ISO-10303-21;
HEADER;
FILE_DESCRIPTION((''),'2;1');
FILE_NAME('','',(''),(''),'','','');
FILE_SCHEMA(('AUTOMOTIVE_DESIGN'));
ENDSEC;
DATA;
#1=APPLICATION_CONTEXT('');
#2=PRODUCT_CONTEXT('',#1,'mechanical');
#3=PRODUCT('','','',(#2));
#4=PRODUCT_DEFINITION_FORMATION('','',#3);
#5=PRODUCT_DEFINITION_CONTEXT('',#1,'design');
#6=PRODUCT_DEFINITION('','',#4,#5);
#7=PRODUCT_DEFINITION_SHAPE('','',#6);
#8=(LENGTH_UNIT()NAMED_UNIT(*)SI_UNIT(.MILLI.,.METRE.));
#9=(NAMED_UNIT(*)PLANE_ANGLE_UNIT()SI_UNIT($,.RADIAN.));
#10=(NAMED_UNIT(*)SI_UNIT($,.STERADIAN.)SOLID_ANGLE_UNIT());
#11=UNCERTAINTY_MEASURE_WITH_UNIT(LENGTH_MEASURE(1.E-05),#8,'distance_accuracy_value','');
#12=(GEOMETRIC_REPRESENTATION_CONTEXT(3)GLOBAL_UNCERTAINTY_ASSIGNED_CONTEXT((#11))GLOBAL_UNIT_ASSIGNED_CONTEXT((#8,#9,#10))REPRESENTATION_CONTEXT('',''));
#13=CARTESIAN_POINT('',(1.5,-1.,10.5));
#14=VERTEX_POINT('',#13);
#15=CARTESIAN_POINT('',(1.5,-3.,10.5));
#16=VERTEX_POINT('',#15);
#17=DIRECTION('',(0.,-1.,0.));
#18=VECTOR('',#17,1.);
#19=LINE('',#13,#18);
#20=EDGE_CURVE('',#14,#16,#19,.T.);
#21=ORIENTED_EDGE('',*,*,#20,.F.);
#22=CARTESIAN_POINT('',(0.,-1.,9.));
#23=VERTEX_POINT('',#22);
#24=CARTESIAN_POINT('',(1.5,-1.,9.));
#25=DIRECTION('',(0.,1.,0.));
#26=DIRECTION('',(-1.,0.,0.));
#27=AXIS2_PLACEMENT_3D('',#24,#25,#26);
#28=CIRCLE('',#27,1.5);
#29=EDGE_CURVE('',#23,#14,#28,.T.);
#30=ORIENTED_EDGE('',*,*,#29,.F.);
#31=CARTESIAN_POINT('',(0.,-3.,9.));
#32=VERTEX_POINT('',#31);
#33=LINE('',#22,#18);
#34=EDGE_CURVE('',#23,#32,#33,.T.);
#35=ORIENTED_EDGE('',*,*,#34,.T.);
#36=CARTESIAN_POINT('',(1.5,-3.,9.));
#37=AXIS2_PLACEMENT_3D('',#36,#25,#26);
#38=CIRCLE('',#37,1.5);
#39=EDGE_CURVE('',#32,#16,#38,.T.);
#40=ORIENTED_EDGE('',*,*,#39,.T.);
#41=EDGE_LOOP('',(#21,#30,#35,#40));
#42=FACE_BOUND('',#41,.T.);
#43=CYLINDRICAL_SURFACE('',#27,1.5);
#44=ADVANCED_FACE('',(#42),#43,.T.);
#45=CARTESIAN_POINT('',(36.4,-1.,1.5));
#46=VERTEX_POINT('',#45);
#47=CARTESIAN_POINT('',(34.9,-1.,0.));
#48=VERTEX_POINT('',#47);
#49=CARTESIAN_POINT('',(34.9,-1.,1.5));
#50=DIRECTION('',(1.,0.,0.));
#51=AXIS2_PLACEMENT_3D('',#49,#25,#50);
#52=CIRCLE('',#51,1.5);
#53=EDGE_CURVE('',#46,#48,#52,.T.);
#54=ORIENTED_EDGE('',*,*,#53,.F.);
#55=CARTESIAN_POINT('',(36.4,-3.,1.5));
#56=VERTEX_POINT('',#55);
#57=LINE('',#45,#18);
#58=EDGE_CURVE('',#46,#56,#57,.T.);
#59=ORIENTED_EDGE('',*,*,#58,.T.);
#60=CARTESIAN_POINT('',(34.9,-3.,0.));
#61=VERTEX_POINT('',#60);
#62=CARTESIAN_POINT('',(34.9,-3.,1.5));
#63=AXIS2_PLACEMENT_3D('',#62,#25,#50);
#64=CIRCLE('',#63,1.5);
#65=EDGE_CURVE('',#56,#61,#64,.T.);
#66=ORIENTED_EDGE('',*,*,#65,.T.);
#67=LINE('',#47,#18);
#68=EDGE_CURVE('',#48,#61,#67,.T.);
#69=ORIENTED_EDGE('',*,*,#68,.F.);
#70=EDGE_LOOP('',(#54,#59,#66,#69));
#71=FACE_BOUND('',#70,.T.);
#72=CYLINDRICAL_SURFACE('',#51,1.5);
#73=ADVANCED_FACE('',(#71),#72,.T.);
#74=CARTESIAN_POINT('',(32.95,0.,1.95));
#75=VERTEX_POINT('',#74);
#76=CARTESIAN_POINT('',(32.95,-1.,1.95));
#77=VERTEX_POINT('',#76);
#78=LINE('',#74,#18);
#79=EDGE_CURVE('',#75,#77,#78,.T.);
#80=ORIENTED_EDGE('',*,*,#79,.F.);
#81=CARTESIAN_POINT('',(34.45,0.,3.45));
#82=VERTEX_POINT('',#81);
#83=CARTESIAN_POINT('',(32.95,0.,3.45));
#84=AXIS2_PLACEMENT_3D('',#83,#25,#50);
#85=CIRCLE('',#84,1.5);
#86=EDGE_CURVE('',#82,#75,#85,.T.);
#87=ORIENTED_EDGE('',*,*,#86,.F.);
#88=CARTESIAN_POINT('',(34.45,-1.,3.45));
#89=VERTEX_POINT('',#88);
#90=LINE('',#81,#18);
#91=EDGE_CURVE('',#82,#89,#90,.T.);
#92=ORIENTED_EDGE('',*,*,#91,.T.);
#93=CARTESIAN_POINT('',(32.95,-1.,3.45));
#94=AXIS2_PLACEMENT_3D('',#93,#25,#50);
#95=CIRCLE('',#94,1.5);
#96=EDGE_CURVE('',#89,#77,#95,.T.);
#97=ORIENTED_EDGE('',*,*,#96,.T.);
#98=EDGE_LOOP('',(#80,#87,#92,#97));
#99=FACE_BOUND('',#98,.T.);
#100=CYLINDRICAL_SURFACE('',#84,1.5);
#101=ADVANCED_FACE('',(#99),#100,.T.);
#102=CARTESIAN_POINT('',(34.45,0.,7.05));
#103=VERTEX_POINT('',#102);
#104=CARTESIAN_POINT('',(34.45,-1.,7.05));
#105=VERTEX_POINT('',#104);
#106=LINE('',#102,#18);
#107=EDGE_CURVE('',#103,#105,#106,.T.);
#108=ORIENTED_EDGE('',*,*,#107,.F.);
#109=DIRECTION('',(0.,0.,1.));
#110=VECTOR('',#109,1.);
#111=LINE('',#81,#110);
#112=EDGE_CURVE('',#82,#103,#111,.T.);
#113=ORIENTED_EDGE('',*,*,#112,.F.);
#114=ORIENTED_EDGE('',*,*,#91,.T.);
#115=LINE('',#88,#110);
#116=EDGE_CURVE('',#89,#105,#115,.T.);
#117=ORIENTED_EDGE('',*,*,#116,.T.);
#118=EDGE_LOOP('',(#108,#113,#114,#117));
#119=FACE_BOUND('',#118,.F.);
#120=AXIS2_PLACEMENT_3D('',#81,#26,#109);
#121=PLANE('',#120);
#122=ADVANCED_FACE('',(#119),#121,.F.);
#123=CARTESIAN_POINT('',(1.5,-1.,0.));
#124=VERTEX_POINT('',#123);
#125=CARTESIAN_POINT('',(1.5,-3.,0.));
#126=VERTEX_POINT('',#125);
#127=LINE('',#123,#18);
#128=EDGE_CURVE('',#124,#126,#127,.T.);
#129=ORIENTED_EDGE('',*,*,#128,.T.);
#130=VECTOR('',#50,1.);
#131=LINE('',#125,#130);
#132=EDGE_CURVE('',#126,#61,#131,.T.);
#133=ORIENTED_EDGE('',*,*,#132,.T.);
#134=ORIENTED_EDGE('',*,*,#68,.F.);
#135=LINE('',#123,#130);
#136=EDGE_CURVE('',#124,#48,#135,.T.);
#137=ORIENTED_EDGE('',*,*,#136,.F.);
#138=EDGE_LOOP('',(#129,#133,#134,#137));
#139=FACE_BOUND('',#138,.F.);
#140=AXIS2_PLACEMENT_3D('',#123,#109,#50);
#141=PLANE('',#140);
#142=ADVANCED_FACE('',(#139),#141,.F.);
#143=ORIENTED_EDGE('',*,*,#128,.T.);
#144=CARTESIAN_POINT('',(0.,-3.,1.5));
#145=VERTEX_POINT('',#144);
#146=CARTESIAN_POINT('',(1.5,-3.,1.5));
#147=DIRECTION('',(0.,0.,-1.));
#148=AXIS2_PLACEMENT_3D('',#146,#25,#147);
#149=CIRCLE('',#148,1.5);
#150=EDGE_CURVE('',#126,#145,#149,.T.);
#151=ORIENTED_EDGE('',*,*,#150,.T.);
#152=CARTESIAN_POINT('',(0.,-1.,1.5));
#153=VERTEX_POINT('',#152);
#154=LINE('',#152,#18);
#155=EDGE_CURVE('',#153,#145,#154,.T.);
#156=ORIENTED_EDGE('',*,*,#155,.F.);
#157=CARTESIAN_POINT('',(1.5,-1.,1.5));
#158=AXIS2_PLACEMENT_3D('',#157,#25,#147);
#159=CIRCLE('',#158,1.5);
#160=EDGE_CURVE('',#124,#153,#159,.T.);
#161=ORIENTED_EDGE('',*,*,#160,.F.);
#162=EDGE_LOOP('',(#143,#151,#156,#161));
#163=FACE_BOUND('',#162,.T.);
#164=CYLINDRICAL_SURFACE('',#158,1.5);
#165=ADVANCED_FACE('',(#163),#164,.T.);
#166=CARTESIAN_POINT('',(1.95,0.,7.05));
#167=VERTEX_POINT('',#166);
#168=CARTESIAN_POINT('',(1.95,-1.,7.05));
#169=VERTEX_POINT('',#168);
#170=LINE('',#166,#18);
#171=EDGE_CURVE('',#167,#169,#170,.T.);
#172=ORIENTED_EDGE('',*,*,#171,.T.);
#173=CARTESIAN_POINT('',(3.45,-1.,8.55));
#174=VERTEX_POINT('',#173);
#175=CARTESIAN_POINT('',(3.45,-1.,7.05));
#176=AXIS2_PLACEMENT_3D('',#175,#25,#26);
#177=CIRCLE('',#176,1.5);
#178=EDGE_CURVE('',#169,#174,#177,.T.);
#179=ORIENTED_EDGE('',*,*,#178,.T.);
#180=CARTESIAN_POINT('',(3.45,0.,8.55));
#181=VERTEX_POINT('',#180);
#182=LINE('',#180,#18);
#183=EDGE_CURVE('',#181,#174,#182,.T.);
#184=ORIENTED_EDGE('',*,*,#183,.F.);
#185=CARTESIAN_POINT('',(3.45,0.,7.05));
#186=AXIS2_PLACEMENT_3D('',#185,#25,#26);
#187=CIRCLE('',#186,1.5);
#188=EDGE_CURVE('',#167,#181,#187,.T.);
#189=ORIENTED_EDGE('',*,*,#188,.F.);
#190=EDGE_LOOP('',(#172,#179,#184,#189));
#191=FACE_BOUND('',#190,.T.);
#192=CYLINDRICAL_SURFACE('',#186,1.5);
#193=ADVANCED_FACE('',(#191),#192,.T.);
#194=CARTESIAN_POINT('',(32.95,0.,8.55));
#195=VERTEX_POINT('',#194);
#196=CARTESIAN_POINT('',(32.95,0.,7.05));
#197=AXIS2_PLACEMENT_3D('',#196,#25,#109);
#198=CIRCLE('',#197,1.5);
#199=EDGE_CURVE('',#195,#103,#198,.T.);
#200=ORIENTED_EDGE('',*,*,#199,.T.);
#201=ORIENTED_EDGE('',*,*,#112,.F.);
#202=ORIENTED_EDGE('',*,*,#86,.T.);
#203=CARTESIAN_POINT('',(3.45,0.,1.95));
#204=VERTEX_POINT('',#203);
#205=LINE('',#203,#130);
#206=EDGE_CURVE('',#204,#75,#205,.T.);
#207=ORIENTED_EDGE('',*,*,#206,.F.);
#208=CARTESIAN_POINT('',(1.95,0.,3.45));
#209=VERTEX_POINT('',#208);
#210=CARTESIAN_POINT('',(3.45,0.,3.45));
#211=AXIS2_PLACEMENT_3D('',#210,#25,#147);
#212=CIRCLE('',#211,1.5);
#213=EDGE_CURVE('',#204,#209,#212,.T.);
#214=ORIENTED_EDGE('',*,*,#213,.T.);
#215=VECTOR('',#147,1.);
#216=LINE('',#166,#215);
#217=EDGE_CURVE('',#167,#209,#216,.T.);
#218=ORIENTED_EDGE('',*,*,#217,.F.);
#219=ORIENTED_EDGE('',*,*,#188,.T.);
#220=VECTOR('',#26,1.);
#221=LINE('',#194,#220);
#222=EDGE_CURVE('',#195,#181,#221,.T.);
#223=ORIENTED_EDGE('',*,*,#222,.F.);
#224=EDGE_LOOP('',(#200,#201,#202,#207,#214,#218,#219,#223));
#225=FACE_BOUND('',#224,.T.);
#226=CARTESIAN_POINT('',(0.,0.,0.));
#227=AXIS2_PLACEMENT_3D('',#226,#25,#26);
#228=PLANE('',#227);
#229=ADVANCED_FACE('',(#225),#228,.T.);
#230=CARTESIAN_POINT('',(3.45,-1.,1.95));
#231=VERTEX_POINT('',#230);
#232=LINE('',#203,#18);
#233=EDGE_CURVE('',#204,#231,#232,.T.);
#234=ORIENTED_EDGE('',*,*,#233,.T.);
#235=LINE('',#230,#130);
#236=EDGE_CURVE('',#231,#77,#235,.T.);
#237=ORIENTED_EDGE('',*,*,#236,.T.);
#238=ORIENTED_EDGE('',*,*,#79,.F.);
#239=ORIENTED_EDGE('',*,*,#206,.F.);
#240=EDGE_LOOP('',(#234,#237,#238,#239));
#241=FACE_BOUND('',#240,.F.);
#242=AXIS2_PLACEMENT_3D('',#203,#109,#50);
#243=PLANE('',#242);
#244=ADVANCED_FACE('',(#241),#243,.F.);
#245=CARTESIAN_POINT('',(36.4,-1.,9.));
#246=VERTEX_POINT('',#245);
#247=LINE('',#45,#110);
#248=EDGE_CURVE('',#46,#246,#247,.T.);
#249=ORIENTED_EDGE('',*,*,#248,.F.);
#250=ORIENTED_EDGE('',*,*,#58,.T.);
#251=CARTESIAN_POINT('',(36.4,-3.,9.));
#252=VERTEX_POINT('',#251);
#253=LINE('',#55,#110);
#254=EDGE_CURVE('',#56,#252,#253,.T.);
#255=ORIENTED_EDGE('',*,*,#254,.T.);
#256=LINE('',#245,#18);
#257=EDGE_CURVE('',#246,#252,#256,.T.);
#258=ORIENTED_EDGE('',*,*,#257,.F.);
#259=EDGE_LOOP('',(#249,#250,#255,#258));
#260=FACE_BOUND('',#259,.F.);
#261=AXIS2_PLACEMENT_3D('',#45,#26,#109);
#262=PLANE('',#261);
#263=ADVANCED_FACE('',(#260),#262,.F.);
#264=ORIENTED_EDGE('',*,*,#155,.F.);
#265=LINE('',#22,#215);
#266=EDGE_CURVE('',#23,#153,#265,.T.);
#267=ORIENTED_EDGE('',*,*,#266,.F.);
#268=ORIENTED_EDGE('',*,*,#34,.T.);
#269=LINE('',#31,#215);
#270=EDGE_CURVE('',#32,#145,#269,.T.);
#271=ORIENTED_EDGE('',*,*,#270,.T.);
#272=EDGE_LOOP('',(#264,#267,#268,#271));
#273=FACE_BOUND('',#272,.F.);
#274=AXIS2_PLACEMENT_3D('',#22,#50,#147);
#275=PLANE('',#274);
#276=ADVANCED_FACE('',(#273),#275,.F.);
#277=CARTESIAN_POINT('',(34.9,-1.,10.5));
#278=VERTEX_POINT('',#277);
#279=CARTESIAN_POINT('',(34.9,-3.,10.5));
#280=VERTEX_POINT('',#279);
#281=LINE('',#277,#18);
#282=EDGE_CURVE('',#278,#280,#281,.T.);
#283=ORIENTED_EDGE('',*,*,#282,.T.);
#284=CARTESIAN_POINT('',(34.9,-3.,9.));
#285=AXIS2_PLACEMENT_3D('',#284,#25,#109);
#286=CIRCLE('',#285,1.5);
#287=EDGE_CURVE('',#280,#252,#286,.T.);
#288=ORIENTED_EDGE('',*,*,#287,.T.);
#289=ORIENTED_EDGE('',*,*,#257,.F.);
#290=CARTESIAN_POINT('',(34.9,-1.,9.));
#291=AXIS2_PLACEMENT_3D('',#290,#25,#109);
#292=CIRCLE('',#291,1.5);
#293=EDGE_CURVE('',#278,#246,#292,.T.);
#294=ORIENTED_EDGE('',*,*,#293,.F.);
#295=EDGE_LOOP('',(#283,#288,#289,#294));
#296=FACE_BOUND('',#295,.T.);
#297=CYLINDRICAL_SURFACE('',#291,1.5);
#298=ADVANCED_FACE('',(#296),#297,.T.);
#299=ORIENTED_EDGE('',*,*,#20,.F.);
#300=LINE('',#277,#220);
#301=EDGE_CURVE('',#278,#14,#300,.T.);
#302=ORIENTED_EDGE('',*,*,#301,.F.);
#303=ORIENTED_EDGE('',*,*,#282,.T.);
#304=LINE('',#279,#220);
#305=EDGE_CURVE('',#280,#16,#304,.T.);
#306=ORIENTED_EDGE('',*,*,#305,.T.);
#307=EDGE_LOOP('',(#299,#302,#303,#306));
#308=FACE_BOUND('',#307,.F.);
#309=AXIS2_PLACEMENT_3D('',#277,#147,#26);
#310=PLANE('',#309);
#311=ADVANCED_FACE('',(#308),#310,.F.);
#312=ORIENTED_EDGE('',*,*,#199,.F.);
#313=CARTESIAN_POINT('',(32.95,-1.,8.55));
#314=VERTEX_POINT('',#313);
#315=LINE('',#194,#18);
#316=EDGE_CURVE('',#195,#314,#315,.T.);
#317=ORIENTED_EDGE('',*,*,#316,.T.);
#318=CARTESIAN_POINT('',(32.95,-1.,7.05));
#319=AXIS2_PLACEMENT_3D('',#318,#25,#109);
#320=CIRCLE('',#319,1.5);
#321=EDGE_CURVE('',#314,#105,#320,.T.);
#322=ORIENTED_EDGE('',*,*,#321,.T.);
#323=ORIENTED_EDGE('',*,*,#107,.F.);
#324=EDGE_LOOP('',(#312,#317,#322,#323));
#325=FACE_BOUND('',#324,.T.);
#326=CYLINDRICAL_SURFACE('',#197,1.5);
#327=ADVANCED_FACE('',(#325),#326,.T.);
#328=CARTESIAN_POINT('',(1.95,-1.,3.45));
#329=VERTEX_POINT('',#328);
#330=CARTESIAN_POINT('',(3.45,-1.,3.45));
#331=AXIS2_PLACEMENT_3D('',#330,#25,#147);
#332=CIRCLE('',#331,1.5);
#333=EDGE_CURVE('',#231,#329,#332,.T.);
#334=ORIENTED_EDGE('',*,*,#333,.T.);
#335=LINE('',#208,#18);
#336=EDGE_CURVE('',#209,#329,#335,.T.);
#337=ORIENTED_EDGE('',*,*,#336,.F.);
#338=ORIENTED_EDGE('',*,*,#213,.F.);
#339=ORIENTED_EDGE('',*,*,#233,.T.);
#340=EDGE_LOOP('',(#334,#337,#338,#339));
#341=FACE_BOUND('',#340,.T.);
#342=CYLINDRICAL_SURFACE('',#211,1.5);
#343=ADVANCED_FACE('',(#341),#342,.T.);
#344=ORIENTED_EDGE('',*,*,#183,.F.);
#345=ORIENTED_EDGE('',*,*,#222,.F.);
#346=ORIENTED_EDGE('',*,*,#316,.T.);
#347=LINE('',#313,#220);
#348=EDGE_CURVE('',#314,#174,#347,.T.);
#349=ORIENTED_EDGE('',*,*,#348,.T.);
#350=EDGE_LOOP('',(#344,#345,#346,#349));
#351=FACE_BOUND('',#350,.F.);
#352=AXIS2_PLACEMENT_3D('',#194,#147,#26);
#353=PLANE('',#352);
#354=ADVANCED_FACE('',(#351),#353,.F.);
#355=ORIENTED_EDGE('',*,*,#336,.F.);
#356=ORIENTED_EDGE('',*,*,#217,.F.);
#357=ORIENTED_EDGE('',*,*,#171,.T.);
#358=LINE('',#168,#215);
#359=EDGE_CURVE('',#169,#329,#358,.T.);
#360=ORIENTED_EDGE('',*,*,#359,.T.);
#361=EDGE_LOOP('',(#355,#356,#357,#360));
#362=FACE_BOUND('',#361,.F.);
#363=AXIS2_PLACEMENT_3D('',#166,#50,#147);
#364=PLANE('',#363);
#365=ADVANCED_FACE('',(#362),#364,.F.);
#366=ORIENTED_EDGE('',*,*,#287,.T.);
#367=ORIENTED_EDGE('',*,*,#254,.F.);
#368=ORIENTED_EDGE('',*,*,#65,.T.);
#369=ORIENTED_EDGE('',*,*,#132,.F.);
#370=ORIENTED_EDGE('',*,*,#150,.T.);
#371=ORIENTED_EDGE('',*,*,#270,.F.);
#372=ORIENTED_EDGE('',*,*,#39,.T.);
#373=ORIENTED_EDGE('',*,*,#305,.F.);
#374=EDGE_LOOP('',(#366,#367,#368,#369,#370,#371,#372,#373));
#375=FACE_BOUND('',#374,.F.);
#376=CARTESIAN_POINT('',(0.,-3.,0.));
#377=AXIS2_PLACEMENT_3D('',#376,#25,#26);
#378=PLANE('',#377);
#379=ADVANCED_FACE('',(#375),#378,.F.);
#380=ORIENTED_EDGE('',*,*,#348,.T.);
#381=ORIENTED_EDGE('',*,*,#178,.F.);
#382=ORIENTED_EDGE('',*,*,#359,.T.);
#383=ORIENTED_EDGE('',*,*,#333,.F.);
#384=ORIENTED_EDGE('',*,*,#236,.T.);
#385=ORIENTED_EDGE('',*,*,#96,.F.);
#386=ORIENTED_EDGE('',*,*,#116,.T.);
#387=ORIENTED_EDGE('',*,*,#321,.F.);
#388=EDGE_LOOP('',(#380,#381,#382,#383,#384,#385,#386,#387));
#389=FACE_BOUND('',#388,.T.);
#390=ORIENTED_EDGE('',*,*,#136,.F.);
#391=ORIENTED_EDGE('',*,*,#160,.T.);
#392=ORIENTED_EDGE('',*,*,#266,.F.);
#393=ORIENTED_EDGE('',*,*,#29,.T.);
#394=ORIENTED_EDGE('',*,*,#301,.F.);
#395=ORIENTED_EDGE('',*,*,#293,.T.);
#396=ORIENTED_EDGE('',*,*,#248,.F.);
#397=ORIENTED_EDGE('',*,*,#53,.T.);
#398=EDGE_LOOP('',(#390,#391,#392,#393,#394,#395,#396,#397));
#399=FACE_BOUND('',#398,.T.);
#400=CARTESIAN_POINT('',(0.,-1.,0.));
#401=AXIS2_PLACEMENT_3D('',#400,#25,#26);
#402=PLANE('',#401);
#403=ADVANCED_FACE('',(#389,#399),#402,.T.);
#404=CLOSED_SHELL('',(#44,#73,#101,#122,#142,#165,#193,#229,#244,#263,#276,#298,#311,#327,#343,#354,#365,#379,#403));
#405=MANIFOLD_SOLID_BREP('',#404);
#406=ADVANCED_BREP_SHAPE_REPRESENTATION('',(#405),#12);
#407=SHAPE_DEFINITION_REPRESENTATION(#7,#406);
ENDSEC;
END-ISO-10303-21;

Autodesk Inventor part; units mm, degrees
ref_plane "YZ Plane" through (0, 0, 0) normal (1, 0, 0) x (0, 1, 0)
ref_plane "XZ Plane" through (0, 0, 0) normal (0, 1, 0) x (-1, 0, 0)
ref_plane "XY Plane" through (0, 0, 0) normal (0, 0, 1) x (1, 0, 0)
sketch "Эскиз1" plane through (0, 0, 0) normal (0, 1, 0) x (-1, 0, 0)
  line L0 (-3.45, 1.95) -> (-32.95, 1.95)
  line L1 (-34.45, 3.45) -> (-34.45, 7.05)
  line L2 (-32.95, 8.55) -> (-3.45, 8.55)
  line L3 (-1.95, 7.05) -> (-1.95, 3.45)
  line L4 (-1.5, 0) -> (-34.9, 0)
  line L5 (-36.4, 1.5) -> (-36.4, 9)
  line L6 (-34.9, 10.5) -> (-1.5, 10.5)
  line L7 (0, 9) -> (0, 1.5)
  arc A0 (-3.45, 1.95) -> (-1.95, 3.45) centre (-3.45, 3.45) ccw
  arc A1 (-1.95, 7.05) -> (-3.45, 8.55) centre (-3.45, 7.05) ccw
  arc A2 (-32.95, 8.55) -> (-34.45, 7.05) centre (-32.95, 7.05) ccw
  arc A3 (-34.45, 3.45) -> (-32.95, 1.95) centre (-32.95, 3.45) ccw
  arc A4 (-36.4, 1.5) -> (-34.9, 0) centre (-34.9, 1.5) ccw
  arc A5 (-34.9, 10.5) -> (-36.4, 9) centre (-34.9, 9) ccw
  arc A6 (0, 9) -> (-1.5, 10.5) centre (-1.5, 9) ccw
  arc A7 (-1.5, 0) -> (0, 1.5) centre (-1.5, 1.5) ccw
  point P0 (0, 0)
  point P1 (-34.45, 1.95)
  point P2 (-1.95, 8.55)
  point P3 (0, 0)
  point P4 (-36.4, 10.5)
  dimension "d6" = 1.5
  dimension "d7" = 1.5
  dimension "d8" = 1.5
  dimension "d9" = 1.5
  dimension "d10" = 1.5
  dimension "d11" = 1.5
  dimension "d12" = 1.5
  dimension "d13" = 1.5
extrude "Выдавливание3" add sketch "Эскиз1" against normal blind 1 contours L0 A3 L1 A2 L2 A1 L3 A0
extrude "Выдавливание4" add sketch "Эскиз1" against normal blind 2 from surface at -1 contours L0 A3 L1 A2 L2 A1 L3 A0 | L4 A4 L5 A5 L6 A6 L7 A7
properties part number "screen3"
